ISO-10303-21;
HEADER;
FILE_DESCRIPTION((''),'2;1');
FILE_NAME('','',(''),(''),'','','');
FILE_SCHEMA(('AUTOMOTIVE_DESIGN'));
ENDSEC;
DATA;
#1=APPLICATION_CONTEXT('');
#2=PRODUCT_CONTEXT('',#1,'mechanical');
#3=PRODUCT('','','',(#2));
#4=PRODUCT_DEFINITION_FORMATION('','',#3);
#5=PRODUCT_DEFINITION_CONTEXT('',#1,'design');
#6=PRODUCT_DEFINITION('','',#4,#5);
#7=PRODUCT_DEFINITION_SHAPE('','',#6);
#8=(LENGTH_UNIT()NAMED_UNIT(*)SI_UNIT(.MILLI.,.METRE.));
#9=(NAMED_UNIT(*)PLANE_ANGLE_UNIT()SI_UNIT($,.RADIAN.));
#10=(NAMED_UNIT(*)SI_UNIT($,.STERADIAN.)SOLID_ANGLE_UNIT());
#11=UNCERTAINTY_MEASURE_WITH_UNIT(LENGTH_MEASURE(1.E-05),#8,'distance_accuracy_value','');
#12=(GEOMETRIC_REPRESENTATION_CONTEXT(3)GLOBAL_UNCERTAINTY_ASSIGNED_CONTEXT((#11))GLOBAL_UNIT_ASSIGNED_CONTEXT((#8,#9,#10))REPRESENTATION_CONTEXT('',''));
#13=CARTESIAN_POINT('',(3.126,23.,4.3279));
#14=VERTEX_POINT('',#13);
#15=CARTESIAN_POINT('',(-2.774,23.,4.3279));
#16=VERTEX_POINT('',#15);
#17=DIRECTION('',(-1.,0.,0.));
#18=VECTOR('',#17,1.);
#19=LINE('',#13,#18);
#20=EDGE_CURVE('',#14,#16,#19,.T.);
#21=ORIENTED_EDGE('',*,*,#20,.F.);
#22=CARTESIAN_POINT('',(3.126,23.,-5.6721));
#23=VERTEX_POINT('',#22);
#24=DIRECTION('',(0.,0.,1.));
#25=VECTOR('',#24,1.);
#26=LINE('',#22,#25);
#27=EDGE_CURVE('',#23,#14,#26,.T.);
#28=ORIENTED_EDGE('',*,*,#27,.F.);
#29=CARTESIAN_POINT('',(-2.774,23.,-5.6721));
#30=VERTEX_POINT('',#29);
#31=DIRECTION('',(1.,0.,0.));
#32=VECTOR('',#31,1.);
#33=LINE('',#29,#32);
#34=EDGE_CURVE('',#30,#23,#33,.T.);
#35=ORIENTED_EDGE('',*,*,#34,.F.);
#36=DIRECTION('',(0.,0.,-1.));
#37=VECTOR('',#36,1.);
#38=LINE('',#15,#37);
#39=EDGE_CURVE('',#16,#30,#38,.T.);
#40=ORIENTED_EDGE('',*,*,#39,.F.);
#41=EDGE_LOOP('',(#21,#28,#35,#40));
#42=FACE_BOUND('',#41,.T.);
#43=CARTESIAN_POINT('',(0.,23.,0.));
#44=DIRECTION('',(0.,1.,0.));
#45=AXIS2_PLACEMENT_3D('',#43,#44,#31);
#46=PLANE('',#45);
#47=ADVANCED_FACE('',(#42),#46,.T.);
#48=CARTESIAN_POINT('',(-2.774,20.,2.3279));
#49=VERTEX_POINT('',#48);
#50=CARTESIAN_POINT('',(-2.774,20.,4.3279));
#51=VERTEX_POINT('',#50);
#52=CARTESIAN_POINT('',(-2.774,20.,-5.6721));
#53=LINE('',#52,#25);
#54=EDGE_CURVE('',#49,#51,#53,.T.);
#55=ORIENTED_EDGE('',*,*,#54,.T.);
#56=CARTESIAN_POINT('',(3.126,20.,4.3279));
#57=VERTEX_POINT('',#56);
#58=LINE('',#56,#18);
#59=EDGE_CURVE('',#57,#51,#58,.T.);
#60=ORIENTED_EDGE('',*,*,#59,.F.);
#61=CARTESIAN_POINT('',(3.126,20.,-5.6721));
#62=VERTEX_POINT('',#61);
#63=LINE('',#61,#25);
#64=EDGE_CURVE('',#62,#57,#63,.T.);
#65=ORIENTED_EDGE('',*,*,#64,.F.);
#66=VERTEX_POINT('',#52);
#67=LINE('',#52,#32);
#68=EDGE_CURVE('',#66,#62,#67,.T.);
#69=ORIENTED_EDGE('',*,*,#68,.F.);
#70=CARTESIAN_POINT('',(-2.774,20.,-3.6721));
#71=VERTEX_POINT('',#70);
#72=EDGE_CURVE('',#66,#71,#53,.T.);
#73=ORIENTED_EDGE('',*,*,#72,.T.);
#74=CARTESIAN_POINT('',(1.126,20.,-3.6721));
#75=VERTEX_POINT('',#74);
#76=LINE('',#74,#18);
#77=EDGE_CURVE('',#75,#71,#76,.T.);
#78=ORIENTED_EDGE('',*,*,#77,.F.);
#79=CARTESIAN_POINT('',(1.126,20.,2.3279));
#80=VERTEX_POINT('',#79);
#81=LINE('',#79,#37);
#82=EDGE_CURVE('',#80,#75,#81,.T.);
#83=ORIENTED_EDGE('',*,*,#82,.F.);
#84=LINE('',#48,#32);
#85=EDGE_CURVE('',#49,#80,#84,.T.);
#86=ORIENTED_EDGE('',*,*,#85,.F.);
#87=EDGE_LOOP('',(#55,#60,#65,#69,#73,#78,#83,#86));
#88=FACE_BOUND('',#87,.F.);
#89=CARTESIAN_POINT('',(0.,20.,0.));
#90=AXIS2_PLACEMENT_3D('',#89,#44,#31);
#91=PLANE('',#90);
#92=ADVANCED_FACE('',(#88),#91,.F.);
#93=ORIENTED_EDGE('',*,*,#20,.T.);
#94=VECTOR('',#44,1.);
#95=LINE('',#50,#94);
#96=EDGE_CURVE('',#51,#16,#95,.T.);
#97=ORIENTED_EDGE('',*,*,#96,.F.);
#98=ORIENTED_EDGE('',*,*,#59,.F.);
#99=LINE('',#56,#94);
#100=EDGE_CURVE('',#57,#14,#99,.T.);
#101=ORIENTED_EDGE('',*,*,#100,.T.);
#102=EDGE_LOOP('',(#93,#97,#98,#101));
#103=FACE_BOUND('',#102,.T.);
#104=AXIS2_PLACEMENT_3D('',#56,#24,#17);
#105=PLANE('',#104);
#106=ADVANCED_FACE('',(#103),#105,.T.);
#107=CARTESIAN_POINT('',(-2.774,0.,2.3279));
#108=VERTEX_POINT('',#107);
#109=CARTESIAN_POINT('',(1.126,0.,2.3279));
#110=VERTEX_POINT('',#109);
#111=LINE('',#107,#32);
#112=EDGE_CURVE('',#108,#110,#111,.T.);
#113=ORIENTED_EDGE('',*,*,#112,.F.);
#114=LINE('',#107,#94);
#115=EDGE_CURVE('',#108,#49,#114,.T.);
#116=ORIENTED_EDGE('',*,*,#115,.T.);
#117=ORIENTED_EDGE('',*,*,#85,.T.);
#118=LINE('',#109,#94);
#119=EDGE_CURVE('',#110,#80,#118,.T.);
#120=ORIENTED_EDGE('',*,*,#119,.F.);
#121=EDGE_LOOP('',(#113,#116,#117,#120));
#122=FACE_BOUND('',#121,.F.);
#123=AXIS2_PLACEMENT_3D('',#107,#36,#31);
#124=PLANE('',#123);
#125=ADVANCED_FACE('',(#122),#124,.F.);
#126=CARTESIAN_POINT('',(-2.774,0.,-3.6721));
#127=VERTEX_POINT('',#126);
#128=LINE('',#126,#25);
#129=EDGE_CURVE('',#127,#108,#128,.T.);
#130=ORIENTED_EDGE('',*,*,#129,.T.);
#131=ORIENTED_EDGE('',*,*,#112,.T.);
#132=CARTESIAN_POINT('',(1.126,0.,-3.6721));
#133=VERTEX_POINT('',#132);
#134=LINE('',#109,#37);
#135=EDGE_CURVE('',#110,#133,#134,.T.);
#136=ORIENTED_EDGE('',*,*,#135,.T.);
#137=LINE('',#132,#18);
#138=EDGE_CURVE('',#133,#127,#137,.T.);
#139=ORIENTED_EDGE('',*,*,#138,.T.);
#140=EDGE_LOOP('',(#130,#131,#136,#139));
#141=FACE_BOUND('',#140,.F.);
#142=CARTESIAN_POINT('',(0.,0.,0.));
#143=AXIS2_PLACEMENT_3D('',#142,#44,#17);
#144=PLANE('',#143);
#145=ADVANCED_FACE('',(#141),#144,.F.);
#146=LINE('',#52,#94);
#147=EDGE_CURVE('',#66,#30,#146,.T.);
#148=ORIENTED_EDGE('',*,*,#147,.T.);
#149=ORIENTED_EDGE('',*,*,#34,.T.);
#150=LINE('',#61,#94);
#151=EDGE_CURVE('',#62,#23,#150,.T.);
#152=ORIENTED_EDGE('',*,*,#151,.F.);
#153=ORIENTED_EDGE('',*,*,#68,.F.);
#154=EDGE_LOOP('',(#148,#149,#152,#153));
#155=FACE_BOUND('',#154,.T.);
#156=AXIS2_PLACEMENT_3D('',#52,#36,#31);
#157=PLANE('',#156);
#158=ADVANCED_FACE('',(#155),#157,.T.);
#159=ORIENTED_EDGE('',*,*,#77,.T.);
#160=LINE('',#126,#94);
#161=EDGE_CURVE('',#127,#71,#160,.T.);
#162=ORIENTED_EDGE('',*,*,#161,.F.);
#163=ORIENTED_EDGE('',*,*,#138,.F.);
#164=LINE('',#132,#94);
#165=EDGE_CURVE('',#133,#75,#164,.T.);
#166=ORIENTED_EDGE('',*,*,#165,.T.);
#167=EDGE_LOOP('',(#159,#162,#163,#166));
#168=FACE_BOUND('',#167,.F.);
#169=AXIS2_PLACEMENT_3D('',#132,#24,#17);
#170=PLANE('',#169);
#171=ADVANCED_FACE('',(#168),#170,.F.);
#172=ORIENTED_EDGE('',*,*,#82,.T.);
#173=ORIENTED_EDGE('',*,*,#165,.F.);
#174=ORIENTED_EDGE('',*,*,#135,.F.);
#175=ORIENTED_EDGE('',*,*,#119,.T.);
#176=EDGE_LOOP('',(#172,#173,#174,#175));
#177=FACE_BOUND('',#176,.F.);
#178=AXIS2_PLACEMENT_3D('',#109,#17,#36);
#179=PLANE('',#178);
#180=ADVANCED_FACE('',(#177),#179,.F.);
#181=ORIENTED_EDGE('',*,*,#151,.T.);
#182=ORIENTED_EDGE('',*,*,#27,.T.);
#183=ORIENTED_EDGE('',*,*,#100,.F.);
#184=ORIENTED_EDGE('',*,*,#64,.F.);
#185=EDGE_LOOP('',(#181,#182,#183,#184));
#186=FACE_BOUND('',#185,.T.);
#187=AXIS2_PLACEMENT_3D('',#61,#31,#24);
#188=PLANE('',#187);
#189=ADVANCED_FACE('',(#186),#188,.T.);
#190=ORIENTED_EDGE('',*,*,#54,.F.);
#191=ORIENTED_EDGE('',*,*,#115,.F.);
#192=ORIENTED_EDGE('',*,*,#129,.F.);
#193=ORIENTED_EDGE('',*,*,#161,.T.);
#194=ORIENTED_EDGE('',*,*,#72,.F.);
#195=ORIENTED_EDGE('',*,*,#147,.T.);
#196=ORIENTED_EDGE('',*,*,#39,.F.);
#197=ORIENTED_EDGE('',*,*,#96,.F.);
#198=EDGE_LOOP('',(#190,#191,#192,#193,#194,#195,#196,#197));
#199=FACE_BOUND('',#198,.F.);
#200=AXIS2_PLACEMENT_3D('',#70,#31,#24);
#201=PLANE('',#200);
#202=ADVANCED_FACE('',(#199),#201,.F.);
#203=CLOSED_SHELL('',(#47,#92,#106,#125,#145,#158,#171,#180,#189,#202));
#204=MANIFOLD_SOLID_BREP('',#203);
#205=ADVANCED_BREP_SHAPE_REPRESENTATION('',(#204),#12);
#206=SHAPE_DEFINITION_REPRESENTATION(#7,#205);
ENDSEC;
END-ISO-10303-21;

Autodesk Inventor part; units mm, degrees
ref_plane "YZ Plane" through (0, 0, 0) normal (1, 0, 0) x (0, 1, 0)
ref_plane "XZ Plane" through (0, 0, 0) normal (0, 1, 0) x (-1, 0, 0)
ref_plane "XY Plane" through (0, 0, 0) normal (0, 0, 1) x (1, 0, 0)
sketch "Эскиз1" plane through (0, 0, 0) normal (0, 1, 0) x (-1, 0, 0)
  line L0 (2.774, 2.3279) -> (-1.126, 2.3279)
  line L1 (-1.126, 2.3279) -> (-1.126, -3.6721)
  line L2 (-1.126, -3.6721) -> (2.774, -3.6721)
  line L3 (2.774, -3.6721) -> (2.774, 2.3279)
  point P0 (0, 0)
  dimension "d0" = 3.9
  dimension "d1" = 6
extrude "Выдавливание1" add sketch "Эскиз1" along normal blind 20
sketch "Эскиз2" plane through (0, 20, 0) normal (0, 1, 0) x (1, 0, 0)
  line L0 (1.126, -2.3279) -> (1.126, 3.6721) projected
  line L1 (1.126, 3.6721) -> (-2.774, 3.6721) projected
  line L2 (-2.774, 3.6721) -> (-2.774, -2.3279) projected
  line L3 (-2.774, -2.3279) -> (1.126, -2.3279) projected
  line L4 (-2.774, 3.6721) -> (-2.774, 5.6721)
  line L5 (-2.774, 5.6721) -> (3.126, 5.6721)
  line L6 (3.126, 5.6721) -> (3.126, -4.3279)
  line L7 (3.126, -4.3279) -> (-2.774, -4.3279)
  line L8 (-2.774, -4.3279) -> (-2.774, -2.3279)
  dimension "d7" = 2
  dimension "d8" = 2
  dimension "d9" = 2
extrude "Выдавливание2" add sketch "Эскиз2" along normal blind 3
properties part number "палка"
